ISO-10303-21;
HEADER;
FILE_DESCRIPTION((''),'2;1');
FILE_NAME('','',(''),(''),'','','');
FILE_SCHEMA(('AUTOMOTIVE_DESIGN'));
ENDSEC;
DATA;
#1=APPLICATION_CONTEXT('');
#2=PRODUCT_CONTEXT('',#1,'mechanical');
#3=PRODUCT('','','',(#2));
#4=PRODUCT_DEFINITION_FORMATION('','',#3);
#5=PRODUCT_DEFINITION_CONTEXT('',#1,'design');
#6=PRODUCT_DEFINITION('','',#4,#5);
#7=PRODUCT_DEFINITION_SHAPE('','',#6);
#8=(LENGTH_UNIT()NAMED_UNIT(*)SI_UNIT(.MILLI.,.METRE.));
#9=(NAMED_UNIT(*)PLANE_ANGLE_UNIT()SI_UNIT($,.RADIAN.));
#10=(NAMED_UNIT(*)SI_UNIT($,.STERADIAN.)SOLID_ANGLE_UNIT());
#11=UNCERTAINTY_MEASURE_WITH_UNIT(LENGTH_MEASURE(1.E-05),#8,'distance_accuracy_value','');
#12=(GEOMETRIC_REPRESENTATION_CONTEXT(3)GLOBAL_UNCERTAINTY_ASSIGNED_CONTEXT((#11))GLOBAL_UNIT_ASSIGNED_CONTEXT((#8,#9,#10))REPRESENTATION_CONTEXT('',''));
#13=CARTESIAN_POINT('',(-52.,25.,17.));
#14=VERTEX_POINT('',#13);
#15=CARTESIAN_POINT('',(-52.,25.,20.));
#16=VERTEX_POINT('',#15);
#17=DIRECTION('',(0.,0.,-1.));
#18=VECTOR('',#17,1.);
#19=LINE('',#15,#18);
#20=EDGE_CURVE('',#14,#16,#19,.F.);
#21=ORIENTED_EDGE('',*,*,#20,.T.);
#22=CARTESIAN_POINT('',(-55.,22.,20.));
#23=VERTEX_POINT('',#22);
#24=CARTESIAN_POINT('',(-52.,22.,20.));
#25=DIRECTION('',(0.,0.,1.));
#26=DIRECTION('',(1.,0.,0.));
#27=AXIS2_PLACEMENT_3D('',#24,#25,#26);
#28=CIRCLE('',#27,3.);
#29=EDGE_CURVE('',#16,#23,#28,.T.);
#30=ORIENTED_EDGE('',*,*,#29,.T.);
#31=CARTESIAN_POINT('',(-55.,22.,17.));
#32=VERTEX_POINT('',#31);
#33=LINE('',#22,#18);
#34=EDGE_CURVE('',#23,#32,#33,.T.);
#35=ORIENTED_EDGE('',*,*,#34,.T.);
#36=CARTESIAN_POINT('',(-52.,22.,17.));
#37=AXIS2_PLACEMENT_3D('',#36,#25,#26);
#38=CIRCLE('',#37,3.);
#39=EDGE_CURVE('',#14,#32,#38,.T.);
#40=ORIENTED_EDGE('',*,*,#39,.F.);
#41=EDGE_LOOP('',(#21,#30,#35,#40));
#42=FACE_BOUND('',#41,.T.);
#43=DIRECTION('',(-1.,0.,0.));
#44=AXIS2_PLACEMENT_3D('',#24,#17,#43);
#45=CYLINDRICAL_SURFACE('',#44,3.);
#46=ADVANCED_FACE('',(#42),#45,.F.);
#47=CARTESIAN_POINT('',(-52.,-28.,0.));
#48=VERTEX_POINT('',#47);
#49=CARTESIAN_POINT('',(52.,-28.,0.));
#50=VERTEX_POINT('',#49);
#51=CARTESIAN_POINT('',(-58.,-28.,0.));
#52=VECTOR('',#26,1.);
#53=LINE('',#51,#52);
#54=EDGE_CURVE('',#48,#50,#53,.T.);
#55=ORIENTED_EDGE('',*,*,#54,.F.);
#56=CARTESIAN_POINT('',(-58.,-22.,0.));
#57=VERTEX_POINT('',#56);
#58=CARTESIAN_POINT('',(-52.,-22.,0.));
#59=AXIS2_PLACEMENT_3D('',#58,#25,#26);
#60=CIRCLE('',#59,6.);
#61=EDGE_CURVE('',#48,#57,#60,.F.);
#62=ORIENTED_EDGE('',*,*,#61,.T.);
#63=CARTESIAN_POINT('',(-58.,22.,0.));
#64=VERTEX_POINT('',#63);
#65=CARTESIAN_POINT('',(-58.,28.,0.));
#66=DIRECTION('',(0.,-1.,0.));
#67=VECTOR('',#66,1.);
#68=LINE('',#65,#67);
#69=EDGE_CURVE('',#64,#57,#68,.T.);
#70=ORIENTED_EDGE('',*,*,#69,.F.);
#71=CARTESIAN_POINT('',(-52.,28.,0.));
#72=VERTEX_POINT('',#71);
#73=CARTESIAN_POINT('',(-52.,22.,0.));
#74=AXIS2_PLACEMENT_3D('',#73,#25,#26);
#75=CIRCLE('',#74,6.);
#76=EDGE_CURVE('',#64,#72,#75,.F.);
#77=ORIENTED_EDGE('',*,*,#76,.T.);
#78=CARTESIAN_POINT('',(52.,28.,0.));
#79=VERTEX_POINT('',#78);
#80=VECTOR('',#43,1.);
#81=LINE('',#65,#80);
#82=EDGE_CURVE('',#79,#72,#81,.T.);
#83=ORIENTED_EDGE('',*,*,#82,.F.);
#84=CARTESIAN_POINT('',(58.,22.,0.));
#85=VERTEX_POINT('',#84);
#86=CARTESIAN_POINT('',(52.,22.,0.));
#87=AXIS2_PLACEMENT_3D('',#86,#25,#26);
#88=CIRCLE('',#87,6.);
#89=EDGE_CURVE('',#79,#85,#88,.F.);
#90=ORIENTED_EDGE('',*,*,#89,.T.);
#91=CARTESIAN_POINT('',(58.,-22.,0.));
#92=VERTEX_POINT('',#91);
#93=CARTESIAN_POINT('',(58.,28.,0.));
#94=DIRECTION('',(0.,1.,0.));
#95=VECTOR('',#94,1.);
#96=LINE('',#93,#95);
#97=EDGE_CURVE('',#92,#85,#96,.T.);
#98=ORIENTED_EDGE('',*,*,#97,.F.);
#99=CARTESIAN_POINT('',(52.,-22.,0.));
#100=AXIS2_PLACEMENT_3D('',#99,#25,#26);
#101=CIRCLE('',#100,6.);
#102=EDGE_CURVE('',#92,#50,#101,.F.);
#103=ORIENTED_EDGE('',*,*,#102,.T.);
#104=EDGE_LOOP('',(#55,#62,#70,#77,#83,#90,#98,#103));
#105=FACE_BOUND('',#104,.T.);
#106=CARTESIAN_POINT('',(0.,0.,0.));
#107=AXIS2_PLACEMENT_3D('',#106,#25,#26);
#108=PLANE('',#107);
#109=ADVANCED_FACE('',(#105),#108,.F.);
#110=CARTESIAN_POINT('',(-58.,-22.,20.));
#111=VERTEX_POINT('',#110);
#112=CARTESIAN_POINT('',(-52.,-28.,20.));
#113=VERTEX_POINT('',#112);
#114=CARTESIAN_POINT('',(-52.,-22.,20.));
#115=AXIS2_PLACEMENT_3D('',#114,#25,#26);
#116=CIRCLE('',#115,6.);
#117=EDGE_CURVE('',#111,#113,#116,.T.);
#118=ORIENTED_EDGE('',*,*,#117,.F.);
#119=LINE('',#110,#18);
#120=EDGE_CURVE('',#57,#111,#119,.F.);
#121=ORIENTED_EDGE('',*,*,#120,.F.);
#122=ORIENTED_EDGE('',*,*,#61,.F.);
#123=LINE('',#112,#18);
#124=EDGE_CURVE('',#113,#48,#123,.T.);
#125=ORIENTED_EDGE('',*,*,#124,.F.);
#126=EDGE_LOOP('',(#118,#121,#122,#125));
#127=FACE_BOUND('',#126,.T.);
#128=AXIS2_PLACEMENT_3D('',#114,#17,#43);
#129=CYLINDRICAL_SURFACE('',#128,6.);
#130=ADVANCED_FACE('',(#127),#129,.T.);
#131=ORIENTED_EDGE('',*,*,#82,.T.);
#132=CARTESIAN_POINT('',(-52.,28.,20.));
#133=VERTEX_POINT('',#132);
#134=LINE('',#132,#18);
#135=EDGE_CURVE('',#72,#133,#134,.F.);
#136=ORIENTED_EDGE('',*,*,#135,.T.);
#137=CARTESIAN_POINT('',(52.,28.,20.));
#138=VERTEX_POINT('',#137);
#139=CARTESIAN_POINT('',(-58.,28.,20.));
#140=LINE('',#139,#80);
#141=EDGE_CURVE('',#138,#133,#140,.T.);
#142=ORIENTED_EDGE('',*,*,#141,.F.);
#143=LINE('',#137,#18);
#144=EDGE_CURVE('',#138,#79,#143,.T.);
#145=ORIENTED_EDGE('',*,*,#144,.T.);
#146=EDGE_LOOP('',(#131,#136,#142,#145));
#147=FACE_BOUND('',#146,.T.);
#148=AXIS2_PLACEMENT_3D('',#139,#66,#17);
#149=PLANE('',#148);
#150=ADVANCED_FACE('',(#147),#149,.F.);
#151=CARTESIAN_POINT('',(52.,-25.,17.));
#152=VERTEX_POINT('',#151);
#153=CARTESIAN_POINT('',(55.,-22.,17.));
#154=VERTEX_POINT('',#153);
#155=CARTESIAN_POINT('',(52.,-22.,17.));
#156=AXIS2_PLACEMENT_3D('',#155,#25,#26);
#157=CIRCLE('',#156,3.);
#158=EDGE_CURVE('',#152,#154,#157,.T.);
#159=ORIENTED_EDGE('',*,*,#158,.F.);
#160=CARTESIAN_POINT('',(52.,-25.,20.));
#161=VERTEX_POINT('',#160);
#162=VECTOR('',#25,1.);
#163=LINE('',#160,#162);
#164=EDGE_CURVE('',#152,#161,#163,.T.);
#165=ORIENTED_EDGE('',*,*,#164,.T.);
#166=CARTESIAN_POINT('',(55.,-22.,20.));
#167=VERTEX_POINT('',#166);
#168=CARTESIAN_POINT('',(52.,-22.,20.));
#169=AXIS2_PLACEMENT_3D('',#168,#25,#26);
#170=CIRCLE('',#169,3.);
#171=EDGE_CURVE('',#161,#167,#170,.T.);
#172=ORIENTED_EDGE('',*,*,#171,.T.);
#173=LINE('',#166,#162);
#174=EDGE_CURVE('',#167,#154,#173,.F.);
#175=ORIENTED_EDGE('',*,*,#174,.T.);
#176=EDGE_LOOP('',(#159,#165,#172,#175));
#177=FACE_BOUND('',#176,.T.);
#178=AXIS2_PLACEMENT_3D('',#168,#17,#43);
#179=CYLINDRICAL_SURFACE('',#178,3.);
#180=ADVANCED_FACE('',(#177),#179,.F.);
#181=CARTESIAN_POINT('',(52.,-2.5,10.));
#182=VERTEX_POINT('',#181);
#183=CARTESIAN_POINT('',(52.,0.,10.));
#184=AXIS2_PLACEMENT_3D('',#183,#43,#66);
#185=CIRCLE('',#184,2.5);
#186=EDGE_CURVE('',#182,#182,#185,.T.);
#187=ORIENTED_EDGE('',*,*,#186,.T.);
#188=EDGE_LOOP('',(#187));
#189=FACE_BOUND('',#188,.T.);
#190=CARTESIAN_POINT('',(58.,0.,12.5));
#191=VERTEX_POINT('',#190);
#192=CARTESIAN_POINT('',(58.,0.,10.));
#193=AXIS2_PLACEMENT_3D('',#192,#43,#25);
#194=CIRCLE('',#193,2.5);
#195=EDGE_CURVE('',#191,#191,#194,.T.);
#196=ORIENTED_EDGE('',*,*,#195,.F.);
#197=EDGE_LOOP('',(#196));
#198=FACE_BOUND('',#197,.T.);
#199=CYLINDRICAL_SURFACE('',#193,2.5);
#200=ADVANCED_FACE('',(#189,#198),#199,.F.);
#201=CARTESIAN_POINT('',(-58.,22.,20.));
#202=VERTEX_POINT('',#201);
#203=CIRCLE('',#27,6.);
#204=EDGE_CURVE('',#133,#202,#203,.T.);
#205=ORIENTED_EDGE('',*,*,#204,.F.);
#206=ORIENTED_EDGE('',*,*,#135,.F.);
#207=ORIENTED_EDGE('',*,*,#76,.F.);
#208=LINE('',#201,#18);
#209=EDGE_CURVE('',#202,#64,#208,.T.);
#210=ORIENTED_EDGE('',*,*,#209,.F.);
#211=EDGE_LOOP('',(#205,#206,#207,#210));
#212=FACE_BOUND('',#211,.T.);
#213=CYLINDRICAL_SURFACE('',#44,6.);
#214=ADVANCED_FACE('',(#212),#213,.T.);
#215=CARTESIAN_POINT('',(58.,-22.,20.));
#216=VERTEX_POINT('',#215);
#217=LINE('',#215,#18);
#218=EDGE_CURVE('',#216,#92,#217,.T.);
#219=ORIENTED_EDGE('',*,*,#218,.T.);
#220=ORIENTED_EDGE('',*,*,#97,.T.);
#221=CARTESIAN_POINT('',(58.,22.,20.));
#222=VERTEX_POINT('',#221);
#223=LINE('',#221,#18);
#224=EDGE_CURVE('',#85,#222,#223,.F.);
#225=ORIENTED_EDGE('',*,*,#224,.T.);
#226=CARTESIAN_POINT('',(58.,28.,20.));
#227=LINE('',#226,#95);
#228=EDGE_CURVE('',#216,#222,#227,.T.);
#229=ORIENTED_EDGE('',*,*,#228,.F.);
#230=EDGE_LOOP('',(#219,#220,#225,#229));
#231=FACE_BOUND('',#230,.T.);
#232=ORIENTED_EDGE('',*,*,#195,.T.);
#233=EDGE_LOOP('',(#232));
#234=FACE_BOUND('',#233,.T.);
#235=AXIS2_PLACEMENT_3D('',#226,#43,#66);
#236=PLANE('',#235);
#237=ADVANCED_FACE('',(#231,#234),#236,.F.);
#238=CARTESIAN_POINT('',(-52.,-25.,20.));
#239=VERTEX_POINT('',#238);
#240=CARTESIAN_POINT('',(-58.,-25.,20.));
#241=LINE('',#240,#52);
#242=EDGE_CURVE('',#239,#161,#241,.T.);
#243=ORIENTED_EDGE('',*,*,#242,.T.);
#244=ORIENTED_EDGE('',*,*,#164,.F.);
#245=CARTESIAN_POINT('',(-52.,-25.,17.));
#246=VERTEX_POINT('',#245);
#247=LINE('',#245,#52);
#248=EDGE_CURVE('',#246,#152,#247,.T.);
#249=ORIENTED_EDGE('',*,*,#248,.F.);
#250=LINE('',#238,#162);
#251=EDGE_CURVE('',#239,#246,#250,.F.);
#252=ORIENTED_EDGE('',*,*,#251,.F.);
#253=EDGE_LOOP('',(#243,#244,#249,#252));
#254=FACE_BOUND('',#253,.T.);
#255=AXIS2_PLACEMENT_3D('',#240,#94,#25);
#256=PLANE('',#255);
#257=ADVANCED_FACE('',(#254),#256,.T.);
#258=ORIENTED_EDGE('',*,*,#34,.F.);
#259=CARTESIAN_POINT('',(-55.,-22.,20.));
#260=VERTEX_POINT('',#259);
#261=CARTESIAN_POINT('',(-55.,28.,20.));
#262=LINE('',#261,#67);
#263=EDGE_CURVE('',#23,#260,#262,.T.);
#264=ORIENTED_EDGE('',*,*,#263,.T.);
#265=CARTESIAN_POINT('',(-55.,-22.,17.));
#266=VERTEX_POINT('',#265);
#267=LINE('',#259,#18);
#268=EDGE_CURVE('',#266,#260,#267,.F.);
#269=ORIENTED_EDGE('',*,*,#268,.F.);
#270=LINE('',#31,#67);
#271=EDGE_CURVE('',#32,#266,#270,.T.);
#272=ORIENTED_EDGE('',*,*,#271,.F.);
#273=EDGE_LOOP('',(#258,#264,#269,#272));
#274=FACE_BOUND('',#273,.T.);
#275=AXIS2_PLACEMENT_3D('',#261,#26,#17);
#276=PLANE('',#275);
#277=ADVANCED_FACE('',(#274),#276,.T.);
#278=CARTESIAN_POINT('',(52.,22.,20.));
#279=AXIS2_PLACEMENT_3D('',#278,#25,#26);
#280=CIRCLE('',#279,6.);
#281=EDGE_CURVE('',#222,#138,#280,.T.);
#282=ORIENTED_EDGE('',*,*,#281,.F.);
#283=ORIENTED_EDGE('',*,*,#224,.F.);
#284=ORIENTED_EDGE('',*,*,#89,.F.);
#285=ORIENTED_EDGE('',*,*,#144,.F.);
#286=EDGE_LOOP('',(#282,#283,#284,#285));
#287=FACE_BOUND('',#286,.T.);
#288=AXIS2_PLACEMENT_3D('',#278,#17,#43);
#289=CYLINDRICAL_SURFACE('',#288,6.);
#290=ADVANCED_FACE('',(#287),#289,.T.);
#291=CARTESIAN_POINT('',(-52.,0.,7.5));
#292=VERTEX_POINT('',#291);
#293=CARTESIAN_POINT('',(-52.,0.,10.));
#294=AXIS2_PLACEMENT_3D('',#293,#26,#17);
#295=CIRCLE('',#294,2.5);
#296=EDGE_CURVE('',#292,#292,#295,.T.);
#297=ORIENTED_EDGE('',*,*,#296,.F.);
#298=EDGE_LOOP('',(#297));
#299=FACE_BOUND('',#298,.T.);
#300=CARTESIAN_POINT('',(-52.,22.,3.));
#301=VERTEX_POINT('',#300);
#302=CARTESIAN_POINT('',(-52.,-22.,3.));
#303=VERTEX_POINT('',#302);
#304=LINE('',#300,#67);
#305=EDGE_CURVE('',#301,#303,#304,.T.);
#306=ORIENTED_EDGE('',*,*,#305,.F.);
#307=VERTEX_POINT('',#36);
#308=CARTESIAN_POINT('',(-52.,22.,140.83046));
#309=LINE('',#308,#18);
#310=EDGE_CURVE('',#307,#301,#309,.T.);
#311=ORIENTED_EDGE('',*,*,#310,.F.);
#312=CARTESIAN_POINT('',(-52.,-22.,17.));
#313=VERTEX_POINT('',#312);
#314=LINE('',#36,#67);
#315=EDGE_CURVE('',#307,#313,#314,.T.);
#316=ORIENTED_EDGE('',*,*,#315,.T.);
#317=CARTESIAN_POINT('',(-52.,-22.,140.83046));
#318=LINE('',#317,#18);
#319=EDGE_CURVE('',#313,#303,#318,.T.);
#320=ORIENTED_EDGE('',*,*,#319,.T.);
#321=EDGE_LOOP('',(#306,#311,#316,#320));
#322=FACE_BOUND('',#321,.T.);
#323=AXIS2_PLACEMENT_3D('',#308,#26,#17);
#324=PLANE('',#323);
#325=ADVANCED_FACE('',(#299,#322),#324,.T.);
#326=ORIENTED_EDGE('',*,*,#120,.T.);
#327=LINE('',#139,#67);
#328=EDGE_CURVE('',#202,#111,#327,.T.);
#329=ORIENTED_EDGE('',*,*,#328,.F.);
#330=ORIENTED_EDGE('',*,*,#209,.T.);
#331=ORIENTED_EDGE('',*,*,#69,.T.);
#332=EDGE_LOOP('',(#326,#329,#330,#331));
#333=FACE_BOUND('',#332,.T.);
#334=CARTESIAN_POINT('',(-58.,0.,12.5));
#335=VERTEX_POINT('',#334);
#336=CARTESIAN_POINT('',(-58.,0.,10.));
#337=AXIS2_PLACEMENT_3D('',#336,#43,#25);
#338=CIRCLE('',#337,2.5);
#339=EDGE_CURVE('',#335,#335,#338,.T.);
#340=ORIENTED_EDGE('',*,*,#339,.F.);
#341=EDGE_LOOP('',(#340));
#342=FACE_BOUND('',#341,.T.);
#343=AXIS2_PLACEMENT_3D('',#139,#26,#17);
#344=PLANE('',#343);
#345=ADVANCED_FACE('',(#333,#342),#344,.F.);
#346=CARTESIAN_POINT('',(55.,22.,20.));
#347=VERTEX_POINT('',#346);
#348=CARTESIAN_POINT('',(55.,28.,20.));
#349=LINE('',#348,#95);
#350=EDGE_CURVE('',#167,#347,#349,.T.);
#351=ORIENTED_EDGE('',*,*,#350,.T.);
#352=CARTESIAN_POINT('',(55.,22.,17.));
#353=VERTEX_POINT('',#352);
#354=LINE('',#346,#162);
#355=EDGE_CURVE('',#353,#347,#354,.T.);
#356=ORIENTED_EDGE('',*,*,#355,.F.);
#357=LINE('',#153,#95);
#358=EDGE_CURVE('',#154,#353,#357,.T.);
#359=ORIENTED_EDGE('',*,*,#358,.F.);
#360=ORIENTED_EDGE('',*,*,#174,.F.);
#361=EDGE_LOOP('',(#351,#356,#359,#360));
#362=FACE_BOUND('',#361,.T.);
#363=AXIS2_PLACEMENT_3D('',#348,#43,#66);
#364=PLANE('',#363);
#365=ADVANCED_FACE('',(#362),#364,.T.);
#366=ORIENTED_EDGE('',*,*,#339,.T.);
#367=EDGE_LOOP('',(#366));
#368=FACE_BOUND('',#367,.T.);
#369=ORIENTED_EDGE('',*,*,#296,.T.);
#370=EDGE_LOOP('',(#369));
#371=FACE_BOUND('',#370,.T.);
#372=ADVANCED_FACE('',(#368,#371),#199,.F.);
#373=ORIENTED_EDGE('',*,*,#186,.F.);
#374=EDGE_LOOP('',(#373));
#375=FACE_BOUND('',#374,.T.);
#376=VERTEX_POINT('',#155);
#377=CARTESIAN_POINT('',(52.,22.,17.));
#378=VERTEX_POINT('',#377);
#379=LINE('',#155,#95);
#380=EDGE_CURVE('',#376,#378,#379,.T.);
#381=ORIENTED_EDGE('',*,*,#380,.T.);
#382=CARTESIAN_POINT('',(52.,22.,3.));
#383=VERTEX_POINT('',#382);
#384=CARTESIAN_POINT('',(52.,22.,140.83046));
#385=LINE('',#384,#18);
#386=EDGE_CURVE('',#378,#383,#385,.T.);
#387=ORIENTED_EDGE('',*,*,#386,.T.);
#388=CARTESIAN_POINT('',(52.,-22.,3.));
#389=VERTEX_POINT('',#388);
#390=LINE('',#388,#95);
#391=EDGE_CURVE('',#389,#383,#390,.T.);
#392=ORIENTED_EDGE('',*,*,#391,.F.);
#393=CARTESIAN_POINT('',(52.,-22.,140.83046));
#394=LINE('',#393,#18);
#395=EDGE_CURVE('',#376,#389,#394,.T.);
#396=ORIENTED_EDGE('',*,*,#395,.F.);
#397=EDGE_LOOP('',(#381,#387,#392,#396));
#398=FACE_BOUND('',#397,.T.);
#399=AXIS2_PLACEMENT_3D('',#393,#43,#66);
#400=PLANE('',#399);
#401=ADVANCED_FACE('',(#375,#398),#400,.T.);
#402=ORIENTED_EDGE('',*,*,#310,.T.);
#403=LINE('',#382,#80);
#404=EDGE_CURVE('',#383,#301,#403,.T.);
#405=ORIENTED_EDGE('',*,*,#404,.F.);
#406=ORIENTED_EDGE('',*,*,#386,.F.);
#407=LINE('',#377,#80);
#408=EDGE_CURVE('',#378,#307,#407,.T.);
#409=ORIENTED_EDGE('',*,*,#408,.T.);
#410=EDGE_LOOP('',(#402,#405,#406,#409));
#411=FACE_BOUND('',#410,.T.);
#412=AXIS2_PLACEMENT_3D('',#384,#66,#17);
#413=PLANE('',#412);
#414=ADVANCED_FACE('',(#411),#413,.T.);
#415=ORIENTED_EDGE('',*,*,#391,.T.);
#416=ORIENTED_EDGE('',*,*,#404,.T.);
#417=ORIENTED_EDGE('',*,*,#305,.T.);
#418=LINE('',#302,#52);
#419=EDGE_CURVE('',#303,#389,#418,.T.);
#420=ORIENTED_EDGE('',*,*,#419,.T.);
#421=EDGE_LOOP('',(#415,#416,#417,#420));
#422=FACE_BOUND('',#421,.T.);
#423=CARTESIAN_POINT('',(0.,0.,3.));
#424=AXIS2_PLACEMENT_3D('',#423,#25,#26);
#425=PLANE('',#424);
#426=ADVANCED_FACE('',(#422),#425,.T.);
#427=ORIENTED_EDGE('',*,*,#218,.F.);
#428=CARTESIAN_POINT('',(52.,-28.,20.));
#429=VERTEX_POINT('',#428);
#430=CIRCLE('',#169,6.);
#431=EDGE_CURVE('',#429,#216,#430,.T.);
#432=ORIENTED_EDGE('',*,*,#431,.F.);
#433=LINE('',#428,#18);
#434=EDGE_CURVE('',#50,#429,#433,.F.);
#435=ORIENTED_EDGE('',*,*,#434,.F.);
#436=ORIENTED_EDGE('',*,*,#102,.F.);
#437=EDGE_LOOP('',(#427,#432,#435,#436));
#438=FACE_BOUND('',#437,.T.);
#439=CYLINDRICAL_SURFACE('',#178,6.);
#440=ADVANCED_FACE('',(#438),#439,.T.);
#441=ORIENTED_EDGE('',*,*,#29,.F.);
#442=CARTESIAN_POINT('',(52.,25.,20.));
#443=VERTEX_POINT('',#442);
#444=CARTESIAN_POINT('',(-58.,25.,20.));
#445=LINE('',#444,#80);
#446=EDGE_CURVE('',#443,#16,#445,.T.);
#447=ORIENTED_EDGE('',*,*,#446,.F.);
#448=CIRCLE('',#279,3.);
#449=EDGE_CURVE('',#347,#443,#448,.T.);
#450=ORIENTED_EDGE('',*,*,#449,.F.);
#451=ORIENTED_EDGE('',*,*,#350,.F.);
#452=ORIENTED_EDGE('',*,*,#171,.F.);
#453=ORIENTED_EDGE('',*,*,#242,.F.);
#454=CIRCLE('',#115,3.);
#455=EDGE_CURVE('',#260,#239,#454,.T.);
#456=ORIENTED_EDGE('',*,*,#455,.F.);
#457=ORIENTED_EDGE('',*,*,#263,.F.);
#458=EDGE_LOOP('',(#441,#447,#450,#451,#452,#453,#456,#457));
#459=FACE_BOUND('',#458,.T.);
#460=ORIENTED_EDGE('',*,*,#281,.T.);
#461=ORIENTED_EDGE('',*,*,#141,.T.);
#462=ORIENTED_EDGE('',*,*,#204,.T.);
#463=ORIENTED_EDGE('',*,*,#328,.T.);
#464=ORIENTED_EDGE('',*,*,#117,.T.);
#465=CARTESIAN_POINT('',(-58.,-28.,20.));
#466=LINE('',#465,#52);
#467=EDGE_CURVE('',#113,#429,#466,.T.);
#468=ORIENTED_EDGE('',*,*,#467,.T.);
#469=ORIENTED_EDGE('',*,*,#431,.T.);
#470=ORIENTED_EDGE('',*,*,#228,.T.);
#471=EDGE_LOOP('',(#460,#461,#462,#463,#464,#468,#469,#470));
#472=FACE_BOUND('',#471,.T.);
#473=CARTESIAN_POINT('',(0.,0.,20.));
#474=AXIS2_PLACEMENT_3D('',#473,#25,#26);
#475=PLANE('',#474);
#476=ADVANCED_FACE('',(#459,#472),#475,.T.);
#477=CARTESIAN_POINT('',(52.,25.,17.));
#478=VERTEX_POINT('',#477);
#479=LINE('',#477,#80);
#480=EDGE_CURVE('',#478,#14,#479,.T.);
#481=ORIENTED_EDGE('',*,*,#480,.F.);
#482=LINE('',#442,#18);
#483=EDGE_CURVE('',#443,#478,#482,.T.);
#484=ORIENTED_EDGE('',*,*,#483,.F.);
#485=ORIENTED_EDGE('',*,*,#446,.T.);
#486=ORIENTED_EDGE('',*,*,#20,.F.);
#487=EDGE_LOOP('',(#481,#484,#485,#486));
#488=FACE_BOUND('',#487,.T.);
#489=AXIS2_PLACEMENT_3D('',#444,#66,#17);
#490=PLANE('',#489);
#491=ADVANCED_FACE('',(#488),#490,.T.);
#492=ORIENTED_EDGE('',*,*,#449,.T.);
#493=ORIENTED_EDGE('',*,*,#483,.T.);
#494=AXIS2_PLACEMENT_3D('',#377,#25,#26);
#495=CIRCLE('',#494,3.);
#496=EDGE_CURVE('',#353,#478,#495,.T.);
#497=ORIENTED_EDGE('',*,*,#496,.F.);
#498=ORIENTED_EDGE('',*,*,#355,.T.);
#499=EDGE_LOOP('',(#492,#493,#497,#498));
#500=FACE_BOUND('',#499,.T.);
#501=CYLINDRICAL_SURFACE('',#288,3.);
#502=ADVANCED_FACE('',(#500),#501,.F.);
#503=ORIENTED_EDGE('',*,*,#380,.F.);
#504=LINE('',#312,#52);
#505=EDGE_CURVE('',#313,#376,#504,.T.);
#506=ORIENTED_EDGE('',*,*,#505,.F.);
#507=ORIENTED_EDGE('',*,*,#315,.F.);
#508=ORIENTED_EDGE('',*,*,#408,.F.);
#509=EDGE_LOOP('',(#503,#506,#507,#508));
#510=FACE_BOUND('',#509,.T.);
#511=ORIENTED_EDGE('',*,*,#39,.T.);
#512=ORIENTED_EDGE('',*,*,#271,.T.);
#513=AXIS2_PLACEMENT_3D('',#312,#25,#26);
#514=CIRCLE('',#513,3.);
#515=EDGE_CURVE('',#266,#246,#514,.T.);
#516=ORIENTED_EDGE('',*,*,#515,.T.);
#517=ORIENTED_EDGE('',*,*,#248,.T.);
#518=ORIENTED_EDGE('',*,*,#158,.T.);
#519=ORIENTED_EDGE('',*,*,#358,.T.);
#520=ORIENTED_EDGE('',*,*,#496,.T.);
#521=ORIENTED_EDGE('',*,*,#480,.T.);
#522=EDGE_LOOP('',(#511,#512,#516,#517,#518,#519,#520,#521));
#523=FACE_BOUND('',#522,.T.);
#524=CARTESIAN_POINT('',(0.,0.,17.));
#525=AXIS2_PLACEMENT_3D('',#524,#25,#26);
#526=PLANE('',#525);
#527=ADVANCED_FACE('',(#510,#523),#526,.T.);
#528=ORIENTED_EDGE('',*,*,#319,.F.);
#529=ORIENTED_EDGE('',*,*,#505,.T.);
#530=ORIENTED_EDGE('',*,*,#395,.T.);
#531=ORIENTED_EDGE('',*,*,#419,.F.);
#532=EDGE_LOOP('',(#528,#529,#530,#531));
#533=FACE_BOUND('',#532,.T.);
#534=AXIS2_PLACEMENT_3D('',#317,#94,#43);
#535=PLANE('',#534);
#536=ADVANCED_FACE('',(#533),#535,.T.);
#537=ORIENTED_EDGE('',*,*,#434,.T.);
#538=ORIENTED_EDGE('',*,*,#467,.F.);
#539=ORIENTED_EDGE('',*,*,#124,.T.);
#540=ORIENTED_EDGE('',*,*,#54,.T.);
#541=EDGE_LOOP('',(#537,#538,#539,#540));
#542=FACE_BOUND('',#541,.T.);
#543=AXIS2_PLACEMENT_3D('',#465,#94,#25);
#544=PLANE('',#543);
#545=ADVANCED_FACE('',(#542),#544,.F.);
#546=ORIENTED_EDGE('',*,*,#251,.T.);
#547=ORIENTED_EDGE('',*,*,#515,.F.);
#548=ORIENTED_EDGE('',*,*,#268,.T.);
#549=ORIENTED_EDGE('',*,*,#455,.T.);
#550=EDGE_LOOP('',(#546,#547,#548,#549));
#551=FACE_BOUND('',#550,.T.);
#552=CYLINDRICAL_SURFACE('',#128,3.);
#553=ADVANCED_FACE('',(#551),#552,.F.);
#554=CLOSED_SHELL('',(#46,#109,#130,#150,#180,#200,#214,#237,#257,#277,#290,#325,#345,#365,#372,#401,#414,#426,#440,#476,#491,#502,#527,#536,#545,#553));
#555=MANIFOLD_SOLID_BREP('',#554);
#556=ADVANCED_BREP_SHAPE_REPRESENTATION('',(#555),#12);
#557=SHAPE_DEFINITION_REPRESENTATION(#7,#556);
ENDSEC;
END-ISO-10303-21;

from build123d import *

# Parameters (mm, degrees)
ESQUISSE1_W             = 116
ESQUISSE1_H             = 56
BOSS_EXTRU_1_DEPTH      = 20
CONG_1_R                = 6
COQUE1_T                = -3
ESQUISSE2_W             = 104
ESQUISSE2_H             = 44
BOSS_EXTRU_2_DEPTH      = 14
ESQUISSE3_R             = 2.5
ENL_V_MAT_EXTRU_1_DEPTH = 121.995867698


with BuildPart() as part:
    # Esquisse1 → Boss.-Extru.1 (new body)
    with BuildSketch(Plane.XY):
        Rectangle(ESQUISSE1_W, ESQUISSE1_H)
    extrude(amount=BOSS_EXTRU_1_DEPTH)

    # Congé1
    cong_1_edges = [part.edges().sort_by_distance(p)[0] for p in [
        (58, -28, 10),
        (-58, -28, 10),
        (-58, 28, 10),
        (58, 28, 10),
    ]]
    fillet(cong_1_edges, radius=CONG_1_R)

    # Coque1
    coque1_openings = [part.faces().sort_by_distance(p)[0] for p in [
        (0, 0, 20),
    ]]
    offset(amount=COQUE1_T, openings=coque1_openings, kind=Kind.INTERSECTION)

    # Esquisse2 → Boss.-Extru.2 (add)
    with BuildSketch(Plane.XY.offset(3)):
        with BuildLine():
            Line((52, 25), (-52, 25))
            ThreePointArc((-52, 25), (-54.121320344, 24.121320344), (-55, 22))
            Line((-55, 22), (-55, -22))
            ThreePointArc((-55, -22), (-54.121320344, -24.121320344), (-52, -25))
            Line((-52, -25), (52, -25))
            ThreePointArc((52, -25), (54.121320344, -24.121320344), (55, -22))
            Line((55, -22), (55, 22))
            ThreePointArc((55, 22), (54.121320344, 24.121320344), (52, 25))
        make_face()
        Rectangle(ESQUISSE2_W, ESQUISSE2_H, mode=Mode.SUBTRACT)
    extrude(amount=BOSS_EXTRU_2_DEPTH)

    # Esquisse3 → Enlèv. mat.-Extru.1 (cut, through all)
    with BuildSketch(Plane.ZY.offset(58)):
        with Locations((10, 0)):
            Circle(ESQUISSE3_R)
    extrude(amount=-ENL_V_MAT_EXTRU_1_DEPTH, mode=Mode.SUBTRACT)


solid = part.part
